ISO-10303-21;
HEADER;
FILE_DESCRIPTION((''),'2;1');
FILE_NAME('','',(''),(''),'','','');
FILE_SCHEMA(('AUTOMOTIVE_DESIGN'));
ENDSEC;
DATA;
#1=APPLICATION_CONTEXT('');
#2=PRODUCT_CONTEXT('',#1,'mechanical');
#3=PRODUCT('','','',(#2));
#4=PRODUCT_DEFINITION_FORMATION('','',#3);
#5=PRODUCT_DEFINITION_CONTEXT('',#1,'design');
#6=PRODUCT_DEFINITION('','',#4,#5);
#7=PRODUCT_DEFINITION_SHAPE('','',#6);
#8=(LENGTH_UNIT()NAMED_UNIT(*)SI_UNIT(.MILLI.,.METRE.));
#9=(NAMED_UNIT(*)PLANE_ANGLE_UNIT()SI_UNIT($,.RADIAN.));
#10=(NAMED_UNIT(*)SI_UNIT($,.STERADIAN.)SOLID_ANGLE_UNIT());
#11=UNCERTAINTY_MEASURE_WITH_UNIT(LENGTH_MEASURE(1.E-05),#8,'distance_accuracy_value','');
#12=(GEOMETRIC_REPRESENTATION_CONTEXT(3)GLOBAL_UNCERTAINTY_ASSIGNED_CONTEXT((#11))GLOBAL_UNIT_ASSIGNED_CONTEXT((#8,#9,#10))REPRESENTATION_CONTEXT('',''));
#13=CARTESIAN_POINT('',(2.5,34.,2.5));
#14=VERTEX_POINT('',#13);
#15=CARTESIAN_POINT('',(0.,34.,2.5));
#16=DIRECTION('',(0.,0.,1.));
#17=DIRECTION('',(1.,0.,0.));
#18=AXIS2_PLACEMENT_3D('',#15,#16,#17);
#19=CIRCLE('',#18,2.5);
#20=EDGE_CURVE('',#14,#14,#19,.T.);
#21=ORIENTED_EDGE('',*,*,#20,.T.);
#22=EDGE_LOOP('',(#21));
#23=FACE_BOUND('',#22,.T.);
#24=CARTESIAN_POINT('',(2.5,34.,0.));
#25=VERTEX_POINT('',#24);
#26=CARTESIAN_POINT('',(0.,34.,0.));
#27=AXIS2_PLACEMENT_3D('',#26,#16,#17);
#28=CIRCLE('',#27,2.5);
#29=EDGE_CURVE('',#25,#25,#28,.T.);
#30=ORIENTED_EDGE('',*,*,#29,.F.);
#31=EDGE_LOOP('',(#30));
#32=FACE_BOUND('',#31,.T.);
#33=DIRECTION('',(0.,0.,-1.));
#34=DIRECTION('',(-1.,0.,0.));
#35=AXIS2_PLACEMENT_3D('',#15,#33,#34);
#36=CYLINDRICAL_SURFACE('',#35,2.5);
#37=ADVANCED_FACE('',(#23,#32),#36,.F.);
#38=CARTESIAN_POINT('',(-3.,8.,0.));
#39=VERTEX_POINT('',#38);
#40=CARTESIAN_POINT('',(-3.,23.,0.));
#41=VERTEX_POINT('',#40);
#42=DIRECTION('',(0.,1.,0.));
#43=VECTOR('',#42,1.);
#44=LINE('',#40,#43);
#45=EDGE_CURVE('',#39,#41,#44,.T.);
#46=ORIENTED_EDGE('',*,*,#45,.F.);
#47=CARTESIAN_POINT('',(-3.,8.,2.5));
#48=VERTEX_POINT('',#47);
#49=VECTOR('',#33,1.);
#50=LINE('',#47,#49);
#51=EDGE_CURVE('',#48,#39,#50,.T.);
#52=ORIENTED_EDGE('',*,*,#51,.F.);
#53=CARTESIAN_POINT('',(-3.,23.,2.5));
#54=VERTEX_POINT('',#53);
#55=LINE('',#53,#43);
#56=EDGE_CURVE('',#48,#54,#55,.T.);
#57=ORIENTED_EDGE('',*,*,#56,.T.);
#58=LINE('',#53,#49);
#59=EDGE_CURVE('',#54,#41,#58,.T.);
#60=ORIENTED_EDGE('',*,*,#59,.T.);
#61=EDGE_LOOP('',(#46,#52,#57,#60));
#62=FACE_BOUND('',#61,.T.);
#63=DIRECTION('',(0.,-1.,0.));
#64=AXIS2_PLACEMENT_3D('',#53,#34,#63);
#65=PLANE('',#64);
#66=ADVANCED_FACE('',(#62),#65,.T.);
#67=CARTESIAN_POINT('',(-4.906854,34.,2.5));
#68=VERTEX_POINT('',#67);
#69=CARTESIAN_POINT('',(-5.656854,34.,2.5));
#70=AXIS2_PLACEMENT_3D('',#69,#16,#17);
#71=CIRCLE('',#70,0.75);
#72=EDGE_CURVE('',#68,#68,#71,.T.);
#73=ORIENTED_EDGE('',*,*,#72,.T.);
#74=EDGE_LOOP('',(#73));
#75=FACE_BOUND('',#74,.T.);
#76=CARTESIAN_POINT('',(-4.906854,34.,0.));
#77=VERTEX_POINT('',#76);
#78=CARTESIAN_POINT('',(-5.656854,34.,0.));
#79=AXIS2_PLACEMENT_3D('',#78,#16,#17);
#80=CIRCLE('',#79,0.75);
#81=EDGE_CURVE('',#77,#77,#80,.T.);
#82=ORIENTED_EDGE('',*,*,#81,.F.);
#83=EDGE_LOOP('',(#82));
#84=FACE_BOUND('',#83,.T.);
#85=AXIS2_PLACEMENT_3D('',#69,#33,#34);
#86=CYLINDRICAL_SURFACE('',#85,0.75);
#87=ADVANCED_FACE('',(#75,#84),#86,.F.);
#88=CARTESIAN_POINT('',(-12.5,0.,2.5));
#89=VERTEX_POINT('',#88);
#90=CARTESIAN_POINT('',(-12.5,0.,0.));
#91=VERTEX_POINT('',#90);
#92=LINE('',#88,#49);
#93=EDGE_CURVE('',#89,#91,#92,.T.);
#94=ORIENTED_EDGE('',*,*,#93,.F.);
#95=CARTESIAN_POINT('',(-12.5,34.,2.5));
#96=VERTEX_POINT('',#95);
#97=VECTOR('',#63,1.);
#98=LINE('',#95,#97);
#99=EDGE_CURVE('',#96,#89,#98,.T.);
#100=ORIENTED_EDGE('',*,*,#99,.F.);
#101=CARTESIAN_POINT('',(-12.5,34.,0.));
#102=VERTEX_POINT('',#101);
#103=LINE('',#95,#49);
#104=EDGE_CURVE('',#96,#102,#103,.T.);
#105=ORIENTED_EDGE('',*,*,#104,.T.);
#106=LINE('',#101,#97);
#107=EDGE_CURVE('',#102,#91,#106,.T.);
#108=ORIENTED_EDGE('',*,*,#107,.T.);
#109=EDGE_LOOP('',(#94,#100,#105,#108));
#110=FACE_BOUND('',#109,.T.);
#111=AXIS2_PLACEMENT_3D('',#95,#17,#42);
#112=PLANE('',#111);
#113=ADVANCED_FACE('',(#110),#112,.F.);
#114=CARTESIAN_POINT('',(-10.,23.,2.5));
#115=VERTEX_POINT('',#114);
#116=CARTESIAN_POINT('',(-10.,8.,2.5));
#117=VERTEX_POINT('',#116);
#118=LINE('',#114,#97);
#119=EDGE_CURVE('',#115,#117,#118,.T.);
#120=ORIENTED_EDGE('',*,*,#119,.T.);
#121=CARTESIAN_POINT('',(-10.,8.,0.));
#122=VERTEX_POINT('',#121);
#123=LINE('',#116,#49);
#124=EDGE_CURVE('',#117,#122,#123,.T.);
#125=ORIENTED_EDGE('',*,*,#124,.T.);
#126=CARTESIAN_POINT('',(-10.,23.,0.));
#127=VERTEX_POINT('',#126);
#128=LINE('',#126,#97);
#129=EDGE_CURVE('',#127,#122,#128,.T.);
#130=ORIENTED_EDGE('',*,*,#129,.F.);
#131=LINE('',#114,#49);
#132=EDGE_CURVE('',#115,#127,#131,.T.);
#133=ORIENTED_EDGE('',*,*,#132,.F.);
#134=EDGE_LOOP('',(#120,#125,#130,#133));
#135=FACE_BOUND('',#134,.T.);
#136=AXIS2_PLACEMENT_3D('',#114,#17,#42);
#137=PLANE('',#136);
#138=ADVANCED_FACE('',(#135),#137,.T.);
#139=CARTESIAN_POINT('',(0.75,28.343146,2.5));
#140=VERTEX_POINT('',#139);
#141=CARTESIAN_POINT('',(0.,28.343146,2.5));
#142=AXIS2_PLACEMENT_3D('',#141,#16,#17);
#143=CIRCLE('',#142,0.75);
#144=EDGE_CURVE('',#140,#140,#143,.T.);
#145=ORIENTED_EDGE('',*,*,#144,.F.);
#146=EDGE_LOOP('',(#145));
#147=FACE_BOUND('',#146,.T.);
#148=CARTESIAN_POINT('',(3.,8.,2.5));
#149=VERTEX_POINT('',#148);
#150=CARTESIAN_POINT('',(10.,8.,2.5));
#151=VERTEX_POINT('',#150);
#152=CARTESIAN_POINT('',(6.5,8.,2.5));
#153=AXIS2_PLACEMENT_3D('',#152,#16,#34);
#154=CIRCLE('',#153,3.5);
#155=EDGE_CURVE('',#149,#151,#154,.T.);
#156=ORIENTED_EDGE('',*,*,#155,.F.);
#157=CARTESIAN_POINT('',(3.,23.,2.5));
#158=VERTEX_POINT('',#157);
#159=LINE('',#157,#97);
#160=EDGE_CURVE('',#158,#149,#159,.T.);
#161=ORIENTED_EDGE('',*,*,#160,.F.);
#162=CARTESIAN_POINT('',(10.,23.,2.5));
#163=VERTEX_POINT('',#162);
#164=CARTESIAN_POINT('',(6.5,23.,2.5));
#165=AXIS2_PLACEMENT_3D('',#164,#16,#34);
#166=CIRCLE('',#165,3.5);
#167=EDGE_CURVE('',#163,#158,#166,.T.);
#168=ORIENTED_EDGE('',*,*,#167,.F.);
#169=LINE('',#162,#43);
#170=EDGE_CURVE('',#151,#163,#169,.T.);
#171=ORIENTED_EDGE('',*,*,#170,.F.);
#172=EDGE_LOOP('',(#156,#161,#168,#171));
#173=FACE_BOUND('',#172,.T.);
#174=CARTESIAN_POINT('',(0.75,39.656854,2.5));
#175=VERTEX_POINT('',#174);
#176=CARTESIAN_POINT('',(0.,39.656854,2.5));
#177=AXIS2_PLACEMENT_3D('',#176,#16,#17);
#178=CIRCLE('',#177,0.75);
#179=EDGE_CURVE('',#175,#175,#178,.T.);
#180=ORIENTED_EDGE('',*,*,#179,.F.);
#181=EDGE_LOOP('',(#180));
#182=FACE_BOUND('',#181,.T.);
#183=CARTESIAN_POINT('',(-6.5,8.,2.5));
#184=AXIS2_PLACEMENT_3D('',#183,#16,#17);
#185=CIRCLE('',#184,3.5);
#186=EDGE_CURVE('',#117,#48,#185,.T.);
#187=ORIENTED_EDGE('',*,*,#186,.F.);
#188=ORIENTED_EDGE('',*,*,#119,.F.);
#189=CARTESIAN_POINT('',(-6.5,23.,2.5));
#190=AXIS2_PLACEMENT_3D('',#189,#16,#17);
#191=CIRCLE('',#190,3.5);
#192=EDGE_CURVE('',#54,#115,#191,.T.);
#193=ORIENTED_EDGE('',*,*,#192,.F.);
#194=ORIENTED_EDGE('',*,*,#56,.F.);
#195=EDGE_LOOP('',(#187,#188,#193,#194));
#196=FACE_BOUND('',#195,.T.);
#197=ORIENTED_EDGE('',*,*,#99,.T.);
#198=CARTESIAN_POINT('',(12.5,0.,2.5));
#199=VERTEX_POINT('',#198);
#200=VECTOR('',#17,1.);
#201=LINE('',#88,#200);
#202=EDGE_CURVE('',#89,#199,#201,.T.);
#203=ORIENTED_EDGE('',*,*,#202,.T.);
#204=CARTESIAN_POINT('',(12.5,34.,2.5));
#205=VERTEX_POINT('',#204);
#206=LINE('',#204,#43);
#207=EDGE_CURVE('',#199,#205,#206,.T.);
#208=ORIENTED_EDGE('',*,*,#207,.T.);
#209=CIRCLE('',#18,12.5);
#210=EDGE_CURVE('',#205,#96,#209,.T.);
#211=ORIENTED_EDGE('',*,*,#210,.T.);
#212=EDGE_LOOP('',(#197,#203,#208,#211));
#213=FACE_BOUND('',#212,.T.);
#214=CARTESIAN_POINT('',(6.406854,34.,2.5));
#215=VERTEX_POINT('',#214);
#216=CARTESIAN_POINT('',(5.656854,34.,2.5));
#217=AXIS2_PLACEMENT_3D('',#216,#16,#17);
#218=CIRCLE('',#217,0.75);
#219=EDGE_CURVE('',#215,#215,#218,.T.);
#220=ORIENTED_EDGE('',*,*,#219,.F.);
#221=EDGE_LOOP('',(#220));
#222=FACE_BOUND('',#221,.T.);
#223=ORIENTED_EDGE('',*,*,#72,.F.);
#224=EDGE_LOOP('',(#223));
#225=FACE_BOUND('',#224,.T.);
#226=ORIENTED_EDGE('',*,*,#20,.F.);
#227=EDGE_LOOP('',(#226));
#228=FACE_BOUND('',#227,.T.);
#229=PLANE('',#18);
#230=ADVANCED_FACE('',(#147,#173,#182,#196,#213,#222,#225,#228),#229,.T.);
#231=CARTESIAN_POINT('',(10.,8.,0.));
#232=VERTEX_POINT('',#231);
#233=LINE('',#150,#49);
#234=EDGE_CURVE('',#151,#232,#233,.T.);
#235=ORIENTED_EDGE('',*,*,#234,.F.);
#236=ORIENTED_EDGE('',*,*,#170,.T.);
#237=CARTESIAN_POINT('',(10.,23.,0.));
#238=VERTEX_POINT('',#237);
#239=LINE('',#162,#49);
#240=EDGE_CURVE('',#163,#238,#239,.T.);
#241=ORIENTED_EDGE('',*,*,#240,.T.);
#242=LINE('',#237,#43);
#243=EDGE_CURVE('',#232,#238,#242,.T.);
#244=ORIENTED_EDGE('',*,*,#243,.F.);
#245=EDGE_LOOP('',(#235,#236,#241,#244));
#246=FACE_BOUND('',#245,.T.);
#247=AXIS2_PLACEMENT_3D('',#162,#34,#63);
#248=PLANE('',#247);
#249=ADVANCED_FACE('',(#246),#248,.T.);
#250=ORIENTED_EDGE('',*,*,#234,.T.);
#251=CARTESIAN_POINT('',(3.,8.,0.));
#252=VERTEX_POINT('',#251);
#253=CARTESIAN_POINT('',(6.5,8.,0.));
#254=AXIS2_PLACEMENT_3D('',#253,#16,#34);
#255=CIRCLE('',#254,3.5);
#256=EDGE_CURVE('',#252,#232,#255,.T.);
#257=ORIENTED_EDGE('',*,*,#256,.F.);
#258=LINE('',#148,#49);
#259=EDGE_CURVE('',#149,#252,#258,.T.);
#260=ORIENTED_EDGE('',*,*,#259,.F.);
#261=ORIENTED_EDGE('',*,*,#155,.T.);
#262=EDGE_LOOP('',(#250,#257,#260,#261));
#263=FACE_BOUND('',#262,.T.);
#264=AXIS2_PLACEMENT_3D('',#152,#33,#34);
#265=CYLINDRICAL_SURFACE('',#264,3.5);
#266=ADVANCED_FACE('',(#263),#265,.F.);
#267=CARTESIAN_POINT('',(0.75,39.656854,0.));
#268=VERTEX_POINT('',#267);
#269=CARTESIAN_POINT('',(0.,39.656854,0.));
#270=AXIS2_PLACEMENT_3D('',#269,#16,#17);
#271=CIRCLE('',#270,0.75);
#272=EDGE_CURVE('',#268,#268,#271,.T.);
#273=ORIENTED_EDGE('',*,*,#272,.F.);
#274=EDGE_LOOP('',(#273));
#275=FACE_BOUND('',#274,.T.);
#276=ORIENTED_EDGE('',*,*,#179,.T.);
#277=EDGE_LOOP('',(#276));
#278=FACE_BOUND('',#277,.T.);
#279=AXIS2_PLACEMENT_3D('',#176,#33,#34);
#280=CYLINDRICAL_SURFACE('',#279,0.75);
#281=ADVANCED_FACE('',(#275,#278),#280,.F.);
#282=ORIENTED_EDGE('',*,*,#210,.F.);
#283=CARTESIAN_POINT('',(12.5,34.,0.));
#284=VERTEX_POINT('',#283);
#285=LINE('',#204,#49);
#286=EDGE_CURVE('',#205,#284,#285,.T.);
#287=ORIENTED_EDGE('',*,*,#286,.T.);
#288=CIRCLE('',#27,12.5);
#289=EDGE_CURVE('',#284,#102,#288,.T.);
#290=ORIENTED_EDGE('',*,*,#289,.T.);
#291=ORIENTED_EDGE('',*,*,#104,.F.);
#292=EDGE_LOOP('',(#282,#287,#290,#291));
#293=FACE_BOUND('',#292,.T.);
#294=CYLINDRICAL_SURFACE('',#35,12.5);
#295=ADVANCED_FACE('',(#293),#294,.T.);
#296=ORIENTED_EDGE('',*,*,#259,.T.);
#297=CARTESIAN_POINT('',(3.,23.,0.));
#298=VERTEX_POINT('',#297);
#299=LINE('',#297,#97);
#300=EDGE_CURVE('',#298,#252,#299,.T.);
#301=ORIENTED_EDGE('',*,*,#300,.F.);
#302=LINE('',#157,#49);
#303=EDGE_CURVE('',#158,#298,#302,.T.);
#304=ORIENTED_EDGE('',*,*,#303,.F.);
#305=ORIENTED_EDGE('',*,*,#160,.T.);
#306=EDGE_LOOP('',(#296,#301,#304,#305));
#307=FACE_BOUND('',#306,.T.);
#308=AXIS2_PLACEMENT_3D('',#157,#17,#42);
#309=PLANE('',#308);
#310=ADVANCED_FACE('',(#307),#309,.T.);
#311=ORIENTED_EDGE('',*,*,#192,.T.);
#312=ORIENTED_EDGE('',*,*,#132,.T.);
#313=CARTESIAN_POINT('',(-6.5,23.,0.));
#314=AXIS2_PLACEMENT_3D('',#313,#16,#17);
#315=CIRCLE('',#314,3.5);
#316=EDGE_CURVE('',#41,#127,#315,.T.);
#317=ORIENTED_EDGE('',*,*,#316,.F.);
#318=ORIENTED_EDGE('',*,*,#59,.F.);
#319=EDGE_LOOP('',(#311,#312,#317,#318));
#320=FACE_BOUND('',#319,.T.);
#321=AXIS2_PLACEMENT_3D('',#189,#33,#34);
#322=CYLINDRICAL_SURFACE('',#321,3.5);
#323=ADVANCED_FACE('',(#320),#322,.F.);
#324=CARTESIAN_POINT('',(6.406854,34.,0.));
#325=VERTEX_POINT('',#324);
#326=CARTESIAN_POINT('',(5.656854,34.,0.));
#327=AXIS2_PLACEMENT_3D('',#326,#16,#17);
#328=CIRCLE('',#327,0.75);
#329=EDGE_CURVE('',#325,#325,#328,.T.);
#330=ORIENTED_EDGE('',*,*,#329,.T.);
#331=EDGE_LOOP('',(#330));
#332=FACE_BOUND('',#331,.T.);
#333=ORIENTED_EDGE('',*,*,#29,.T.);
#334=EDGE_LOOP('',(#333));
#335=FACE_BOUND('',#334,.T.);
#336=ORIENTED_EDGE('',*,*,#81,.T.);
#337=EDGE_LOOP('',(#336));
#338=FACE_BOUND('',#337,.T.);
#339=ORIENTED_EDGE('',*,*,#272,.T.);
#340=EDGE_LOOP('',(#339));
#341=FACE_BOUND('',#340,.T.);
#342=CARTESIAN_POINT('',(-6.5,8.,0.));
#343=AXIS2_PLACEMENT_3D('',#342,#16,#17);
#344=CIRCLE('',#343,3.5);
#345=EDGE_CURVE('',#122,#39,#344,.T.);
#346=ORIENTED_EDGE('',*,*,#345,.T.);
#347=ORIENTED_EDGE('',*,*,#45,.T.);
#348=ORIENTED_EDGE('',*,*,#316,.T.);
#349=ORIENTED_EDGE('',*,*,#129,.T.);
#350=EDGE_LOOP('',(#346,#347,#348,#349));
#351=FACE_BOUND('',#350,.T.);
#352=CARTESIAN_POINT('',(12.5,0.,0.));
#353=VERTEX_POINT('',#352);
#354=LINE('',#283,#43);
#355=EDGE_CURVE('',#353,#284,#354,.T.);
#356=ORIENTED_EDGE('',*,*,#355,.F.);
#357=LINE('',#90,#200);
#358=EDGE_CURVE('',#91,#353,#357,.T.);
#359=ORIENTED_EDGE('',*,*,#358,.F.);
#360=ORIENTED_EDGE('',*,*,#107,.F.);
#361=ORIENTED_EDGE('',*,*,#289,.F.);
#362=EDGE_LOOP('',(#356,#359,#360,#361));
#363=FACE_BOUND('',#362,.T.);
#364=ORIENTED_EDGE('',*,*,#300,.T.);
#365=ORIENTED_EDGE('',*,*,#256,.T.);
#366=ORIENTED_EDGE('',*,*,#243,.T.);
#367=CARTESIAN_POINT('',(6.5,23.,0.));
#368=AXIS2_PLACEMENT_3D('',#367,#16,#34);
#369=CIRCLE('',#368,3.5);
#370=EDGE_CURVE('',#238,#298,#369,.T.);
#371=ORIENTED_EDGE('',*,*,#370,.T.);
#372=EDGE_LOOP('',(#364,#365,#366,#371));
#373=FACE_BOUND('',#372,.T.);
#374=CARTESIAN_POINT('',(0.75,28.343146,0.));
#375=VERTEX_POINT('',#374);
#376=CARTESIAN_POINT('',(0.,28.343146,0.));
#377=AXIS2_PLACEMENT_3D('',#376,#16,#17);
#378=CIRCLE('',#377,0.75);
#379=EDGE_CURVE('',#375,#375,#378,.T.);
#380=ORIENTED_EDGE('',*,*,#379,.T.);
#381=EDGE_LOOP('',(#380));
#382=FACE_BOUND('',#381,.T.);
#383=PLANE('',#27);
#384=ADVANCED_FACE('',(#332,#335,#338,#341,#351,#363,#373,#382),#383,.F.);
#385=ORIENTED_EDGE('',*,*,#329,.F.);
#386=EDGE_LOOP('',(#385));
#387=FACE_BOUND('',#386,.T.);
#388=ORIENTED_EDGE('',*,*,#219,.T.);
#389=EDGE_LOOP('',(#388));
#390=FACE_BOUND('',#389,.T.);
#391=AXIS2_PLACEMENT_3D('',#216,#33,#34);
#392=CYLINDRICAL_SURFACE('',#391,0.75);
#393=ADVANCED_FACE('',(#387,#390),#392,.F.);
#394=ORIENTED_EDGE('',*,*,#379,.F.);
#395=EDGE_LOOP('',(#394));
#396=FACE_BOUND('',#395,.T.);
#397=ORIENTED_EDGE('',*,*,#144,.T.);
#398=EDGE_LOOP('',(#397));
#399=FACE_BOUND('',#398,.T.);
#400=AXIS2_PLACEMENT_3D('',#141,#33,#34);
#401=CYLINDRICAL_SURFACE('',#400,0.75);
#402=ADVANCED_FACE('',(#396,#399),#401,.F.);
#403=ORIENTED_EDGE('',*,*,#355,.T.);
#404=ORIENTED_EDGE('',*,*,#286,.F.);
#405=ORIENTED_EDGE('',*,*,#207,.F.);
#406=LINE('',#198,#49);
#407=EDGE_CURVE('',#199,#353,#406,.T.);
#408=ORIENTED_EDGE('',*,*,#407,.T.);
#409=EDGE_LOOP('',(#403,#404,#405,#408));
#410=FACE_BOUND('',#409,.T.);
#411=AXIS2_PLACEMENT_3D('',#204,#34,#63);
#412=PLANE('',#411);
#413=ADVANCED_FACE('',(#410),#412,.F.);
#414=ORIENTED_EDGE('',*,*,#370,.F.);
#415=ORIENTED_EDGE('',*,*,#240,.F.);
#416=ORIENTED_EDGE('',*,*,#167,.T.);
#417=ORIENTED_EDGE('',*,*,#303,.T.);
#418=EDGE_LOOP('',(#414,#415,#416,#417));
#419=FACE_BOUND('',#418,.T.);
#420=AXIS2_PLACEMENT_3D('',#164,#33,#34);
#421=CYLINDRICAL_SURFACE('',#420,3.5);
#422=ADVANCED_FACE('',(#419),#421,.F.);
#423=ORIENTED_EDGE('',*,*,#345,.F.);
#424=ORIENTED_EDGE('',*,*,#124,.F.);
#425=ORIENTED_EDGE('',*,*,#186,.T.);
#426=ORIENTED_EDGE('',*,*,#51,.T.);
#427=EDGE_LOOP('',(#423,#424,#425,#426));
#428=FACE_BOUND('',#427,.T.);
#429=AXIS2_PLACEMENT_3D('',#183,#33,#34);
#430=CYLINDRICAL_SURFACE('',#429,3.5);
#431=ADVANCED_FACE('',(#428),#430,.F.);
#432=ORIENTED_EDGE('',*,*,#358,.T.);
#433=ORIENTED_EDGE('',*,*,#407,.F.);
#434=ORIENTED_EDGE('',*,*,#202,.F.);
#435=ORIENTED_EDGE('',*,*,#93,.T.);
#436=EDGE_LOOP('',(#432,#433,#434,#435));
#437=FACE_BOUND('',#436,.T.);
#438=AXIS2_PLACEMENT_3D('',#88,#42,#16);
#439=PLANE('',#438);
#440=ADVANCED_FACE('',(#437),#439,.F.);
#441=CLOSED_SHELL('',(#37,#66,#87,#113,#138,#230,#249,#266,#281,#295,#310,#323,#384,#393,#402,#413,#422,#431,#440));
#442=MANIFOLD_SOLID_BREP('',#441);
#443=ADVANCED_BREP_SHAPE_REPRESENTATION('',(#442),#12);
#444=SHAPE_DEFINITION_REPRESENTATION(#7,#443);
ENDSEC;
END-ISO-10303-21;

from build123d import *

# Parameters (mm, degrees)
SZKIC1_R                    = 2.5
SZKIC1_R_2                  = 0.75
DODANIE_WYCI_GNI_CIE1_DEPTH = 2.5


with BuildPart() as part:
    # Szkic1 → Dodanie-wyciągnięcie1 (new body)
    with BuildSketch(Plane.XY):
        with BuildLine():
            Line((-12.5, 34), (-12.5, 0))
            Line((-12.5, 0), (12.5, 0))
            Line((12.5, 0), (12.5, 34))
            ThreePointArc((12.5, 34), (0, 46.5), (-12.5, 34))
        make_face()
        with Locations((0, 34)):
            Circle(SZKIC1_R, mode=Mode.SUBTRACT)
        with Locations((0, 39.656854249)):
            Circle(SZKIC1_R_2, mode=Mode.SUBTRACT)
        with Locations((5.656854249, 34)):
            Circle(SZKIC1_R_2, mode=Mode.SUBTRACT)
        with Locations((0, 28.343145751)):
            Circle(SZKIC1_R_2, mode=Mode.SUBTRACT)
        with Locations((-5.656854249, 34)):
            Circle(SZKIC1_R_2, mode=Mode.SUBTRACT)
        with BuildLine():
            Line((-3, 23), (-3, 8))
            ThreePointArc((-3, 8), (-6.5, 4.5), (-10, 8))
            Line((-10, 8), (-10, 23))
            ThreePointArc((-10, 23), (-6.5, 26.5), (-3, 23))
        make_face(mode=Mode.SUBTRACT)
        with BuildLine():
            Line((3, 23), (3, 8))
            ThreePointArc((3, 8), (6.5, 4.5), (10, 8))
            Line((10, 8), (10, 23))
            ThreePointArc((10, 23), (6.5, 26.5), (3, 23))
        make_face(mode=Mode.SUBTRACT)
    extrude(amount=DODANIE_WYCI_GNI_CIE1_DEPTH)


solid = part.part
